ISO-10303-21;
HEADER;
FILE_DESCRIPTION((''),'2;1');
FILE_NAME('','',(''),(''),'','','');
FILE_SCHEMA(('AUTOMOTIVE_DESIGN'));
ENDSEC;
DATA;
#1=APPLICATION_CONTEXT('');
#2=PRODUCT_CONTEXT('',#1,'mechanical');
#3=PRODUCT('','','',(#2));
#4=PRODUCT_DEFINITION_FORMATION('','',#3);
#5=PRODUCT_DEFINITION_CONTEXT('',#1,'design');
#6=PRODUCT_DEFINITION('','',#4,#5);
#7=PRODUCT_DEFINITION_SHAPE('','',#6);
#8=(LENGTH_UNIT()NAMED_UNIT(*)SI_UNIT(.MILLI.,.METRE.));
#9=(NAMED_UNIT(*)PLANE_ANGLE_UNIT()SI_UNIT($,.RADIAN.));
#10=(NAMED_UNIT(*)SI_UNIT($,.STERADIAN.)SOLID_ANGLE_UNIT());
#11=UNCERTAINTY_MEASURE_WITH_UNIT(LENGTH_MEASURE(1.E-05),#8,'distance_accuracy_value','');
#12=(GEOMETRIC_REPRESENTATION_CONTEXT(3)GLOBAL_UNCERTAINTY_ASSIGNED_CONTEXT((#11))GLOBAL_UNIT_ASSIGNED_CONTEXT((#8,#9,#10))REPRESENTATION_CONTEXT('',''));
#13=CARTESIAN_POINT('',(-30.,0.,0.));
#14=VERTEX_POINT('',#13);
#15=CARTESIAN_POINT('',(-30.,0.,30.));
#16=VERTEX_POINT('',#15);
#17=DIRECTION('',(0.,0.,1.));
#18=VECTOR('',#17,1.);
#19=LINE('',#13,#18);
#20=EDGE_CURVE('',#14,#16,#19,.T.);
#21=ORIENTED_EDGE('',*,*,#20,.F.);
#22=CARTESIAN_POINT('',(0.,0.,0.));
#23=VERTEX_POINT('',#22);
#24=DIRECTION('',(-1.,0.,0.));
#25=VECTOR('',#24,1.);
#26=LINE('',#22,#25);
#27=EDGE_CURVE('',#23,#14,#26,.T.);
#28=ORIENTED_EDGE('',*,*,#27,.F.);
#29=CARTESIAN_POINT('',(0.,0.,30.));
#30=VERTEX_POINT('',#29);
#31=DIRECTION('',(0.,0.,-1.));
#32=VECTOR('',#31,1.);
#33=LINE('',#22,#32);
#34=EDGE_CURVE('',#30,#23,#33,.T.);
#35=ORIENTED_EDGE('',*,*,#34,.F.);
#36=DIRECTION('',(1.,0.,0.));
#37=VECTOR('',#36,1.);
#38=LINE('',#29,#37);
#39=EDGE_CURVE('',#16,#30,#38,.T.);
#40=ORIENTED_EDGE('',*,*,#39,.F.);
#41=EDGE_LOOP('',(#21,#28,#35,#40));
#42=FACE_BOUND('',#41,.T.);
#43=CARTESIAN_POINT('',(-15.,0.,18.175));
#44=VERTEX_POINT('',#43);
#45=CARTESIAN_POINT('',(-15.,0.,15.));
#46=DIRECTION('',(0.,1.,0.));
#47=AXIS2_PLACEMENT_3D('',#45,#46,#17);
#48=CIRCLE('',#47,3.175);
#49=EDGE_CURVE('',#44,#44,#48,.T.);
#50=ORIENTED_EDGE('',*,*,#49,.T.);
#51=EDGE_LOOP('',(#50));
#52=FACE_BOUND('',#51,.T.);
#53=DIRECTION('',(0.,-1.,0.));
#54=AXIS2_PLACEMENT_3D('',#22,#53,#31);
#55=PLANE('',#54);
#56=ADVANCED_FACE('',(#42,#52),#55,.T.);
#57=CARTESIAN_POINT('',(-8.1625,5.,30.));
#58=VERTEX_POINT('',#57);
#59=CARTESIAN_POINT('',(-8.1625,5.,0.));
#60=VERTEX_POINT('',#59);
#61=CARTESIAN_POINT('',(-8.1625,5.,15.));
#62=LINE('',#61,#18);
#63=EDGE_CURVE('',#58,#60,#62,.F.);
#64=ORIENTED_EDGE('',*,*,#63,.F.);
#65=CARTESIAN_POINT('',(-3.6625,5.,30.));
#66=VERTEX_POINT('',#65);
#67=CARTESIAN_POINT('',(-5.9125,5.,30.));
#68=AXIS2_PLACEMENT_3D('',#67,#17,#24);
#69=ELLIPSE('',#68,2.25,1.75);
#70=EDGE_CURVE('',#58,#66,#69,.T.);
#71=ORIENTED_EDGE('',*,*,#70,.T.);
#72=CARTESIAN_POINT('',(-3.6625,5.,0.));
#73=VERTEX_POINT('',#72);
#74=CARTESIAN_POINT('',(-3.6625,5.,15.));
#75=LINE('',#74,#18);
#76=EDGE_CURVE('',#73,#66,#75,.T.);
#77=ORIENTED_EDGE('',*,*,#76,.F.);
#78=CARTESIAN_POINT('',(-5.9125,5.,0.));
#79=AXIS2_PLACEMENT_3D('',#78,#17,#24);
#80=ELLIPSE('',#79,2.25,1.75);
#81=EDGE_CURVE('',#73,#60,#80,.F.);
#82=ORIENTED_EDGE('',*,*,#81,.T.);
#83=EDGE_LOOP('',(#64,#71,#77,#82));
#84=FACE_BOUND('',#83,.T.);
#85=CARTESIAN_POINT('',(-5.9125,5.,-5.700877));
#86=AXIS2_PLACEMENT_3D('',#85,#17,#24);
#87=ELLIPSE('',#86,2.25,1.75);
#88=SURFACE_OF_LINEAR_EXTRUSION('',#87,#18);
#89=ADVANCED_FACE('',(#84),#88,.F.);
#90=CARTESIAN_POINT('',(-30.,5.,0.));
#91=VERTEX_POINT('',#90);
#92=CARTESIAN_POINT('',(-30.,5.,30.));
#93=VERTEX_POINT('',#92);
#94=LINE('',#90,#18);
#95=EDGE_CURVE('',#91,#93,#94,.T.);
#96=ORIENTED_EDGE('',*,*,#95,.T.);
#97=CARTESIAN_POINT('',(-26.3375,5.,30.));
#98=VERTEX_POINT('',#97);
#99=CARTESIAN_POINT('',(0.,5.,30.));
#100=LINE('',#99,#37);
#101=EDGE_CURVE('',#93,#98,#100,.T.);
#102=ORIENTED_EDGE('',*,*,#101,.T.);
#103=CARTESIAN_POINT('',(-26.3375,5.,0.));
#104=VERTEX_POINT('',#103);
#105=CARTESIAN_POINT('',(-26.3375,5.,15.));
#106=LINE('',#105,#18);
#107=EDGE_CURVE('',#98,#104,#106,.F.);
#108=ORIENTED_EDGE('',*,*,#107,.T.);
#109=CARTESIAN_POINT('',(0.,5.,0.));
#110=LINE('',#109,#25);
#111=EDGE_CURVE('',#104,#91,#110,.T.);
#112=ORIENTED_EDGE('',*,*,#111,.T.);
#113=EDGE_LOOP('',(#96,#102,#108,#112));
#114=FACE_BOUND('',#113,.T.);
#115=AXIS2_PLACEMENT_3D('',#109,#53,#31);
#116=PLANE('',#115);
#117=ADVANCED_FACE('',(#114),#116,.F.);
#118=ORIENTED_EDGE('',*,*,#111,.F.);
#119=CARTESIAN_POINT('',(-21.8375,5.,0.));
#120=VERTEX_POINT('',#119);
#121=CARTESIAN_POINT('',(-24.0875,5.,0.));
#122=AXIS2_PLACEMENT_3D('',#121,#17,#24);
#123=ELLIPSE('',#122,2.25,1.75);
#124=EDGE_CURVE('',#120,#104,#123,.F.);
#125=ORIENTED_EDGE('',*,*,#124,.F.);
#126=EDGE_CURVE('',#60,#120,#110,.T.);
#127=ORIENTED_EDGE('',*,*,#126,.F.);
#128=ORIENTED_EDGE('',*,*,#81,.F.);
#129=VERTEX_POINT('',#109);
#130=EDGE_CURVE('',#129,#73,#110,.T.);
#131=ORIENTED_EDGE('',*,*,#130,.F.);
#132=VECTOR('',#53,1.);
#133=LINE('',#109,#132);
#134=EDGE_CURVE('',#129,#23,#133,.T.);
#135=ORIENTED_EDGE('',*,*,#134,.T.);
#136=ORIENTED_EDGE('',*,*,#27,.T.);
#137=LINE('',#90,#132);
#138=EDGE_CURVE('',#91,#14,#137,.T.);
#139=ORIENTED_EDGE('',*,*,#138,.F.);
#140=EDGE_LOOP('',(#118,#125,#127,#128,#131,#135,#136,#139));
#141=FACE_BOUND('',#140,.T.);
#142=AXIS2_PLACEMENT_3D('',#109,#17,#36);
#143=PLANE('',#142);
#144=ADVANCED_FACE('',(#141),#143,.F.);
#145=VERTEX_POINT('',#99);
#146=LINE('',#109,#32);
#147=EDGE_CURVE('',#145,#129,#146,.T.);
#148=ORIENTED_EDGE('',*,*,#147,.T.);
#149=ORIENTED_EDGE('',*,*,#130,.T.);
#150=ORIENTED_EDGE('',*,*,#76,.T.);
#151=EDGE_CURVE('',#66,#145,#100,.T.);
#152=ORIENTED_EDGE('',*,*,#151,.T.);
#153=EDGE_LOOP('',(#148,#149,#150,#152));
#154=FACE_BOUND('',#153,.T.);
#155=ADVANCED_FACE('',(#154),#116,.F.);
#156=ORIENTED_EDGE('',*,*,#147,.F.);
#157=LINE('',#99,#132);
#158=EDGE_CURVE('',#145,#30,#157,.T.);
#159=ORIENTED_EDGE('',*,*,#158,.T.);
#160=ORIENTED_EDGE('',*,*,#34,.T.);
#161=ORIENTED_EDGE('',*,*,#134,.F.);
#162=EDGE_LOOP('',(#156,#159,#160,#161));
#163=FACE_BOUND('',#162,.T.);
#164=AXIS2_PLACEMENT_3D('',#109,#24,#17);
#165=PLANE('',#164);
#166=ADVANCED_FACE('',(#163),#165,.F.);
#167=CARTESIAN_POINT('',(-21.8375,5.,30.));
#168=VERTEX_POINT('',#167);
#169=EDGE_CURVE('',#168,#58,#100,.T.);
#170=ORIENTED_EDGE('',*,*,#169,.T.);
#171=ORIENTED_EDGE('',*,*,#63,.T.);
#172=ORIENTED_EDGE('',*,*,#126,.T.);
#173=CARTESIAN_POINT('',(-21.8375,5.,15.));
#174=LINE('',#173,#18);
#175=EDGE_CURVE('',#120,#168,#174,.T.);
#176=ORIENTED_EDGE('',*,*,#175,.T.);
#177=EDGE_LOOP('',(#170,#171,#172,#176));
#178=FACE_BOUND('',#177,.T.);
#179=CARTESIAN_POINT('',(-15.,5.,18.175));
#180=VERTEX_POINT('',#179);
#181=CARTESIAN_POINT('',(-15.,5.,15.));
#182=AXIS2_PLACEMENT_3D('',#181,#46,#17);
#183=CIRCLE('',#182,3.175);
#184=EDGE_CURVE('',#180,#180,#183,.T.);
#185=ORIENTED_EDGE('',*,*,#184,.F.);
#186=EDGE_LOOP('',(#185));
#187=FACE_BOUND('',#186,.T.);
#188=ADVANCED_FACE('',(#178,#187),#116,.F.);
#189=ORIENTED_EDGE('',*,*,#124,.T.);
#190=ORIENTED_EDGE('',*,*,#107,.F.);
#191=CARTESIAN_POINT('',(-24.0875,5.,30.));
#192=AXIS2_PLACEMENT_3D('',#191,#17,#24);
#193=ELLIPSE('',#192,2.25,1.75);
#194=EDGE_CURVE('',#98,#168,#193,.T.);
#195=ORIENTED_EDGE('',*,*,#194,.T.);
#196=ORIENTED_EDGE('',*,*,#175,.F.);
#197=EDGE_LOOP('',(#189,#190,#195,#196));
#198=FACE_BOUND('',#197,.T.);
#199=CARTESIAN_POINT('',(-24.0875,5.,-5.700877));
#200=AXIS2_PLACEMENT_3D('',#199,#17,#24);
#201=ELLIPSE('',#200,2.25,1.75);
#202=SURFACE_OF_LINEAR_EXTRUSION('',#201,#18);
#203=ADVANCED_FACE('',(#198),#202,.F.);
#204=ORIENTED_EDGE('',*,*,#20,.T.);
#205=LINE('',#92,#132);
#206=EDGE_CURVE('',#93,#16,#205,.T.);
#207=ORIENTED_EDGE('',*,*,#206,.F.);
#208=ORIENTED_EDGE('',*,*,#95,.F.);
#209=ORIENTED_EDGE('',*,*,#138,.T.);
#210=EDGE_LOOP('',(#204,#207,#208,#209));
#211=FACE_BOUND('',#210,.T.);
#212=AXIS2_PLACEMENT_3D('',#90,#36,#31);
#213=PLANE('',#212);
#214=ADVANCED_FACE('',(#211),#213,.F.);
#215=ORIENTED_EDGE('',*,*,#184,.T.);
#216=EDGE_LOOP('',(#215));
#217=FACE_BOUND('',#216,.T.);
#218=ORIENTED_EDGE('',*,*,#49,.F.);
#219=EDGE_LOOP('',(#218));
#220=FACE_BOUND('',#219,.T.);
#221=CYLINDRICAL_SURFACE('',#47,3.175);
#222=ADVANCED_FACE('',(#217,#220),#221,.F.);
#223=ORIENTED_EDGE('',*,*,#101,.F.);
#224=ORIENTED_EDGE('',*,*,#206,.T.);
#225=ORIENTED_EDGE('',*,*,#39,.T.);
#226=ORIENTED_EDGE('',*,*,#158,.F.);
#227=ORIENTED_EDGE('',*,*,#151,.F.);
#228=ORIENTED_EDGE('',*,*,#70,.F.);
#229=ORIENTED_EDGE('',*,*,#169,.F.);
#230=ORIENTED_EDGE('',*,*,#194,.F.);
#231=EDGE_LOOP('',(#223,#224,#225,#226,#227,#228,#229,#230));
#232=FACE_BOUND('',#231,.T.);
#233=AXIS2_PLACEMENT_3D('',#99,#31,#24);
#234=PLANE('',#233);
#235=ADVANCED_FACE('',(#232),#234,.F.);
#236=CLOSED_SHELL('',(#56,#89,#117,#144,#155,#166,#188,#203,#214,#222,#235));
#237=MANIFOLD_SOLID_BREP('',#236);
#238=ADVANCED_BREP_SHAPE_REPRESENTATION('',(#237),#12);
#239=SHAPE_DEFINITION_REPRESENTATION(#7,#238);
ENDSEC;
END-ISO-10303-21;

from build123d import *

# Parameters (mm, degrees)
SKETCH1_W           = 30
SKETCH1_H           = 30
BOSS_EXTRUDE1_DEPTH = 5
SKETCH2_R           = 3.175
CUT_EXTRUDE1_DEPTH  = 5
SKETCH3_RX          = 2.25
SKETCH3_RY          = 1.75
CUT_EXTRUDE3_DEPTH  = 30


with BuildPart() as part:
    # Sketch1 → Boss-Extrude1 (new body)
    with BuildSketch(Plane(origin=(0, 0, 0), x_dir=(1, 0, 0), z_dir=(0, 1, 0))):
        with Locations((-15, -15)):
            Rectangle(SKETCH1_W, SKETCH1_H)
    extrude(amount=BOSS_EXTRUDE1_DEPTH)

    # Sketch2 → Cut-Extrude1 (cut)
    with BuildSketch(Plane(origin=(0, 5, 0), x_dir=(1, 0, 0), z_dir=(0, 1, 0))):
        with Locations((-15, -15)):
            Circle(SKETCH2_R)
    extrude(amount=-CUT_EXTRUDE1_DEPTH, mode=Mode.SUBTRACT)

    # Sketch3 → Cut-Extrude3 (cut)
    with BuildSketch(Plane.XY.offset(30)):
        with Locations(Location((-24.0875, 5), (0, 0, 180))):
            Ellipse(SKETCH3_RX, SKETCH3_RY)
        with Locations(Location((-5.9125, 5), (0, 0, 180))):
            Ellipse(SKETCH3_RX, SKETCH3_RY)
    extrude(amount=-CUT_EXTRUDE3_DEPTH, mode=Mode.SUBTRACT)


solid = part.part
